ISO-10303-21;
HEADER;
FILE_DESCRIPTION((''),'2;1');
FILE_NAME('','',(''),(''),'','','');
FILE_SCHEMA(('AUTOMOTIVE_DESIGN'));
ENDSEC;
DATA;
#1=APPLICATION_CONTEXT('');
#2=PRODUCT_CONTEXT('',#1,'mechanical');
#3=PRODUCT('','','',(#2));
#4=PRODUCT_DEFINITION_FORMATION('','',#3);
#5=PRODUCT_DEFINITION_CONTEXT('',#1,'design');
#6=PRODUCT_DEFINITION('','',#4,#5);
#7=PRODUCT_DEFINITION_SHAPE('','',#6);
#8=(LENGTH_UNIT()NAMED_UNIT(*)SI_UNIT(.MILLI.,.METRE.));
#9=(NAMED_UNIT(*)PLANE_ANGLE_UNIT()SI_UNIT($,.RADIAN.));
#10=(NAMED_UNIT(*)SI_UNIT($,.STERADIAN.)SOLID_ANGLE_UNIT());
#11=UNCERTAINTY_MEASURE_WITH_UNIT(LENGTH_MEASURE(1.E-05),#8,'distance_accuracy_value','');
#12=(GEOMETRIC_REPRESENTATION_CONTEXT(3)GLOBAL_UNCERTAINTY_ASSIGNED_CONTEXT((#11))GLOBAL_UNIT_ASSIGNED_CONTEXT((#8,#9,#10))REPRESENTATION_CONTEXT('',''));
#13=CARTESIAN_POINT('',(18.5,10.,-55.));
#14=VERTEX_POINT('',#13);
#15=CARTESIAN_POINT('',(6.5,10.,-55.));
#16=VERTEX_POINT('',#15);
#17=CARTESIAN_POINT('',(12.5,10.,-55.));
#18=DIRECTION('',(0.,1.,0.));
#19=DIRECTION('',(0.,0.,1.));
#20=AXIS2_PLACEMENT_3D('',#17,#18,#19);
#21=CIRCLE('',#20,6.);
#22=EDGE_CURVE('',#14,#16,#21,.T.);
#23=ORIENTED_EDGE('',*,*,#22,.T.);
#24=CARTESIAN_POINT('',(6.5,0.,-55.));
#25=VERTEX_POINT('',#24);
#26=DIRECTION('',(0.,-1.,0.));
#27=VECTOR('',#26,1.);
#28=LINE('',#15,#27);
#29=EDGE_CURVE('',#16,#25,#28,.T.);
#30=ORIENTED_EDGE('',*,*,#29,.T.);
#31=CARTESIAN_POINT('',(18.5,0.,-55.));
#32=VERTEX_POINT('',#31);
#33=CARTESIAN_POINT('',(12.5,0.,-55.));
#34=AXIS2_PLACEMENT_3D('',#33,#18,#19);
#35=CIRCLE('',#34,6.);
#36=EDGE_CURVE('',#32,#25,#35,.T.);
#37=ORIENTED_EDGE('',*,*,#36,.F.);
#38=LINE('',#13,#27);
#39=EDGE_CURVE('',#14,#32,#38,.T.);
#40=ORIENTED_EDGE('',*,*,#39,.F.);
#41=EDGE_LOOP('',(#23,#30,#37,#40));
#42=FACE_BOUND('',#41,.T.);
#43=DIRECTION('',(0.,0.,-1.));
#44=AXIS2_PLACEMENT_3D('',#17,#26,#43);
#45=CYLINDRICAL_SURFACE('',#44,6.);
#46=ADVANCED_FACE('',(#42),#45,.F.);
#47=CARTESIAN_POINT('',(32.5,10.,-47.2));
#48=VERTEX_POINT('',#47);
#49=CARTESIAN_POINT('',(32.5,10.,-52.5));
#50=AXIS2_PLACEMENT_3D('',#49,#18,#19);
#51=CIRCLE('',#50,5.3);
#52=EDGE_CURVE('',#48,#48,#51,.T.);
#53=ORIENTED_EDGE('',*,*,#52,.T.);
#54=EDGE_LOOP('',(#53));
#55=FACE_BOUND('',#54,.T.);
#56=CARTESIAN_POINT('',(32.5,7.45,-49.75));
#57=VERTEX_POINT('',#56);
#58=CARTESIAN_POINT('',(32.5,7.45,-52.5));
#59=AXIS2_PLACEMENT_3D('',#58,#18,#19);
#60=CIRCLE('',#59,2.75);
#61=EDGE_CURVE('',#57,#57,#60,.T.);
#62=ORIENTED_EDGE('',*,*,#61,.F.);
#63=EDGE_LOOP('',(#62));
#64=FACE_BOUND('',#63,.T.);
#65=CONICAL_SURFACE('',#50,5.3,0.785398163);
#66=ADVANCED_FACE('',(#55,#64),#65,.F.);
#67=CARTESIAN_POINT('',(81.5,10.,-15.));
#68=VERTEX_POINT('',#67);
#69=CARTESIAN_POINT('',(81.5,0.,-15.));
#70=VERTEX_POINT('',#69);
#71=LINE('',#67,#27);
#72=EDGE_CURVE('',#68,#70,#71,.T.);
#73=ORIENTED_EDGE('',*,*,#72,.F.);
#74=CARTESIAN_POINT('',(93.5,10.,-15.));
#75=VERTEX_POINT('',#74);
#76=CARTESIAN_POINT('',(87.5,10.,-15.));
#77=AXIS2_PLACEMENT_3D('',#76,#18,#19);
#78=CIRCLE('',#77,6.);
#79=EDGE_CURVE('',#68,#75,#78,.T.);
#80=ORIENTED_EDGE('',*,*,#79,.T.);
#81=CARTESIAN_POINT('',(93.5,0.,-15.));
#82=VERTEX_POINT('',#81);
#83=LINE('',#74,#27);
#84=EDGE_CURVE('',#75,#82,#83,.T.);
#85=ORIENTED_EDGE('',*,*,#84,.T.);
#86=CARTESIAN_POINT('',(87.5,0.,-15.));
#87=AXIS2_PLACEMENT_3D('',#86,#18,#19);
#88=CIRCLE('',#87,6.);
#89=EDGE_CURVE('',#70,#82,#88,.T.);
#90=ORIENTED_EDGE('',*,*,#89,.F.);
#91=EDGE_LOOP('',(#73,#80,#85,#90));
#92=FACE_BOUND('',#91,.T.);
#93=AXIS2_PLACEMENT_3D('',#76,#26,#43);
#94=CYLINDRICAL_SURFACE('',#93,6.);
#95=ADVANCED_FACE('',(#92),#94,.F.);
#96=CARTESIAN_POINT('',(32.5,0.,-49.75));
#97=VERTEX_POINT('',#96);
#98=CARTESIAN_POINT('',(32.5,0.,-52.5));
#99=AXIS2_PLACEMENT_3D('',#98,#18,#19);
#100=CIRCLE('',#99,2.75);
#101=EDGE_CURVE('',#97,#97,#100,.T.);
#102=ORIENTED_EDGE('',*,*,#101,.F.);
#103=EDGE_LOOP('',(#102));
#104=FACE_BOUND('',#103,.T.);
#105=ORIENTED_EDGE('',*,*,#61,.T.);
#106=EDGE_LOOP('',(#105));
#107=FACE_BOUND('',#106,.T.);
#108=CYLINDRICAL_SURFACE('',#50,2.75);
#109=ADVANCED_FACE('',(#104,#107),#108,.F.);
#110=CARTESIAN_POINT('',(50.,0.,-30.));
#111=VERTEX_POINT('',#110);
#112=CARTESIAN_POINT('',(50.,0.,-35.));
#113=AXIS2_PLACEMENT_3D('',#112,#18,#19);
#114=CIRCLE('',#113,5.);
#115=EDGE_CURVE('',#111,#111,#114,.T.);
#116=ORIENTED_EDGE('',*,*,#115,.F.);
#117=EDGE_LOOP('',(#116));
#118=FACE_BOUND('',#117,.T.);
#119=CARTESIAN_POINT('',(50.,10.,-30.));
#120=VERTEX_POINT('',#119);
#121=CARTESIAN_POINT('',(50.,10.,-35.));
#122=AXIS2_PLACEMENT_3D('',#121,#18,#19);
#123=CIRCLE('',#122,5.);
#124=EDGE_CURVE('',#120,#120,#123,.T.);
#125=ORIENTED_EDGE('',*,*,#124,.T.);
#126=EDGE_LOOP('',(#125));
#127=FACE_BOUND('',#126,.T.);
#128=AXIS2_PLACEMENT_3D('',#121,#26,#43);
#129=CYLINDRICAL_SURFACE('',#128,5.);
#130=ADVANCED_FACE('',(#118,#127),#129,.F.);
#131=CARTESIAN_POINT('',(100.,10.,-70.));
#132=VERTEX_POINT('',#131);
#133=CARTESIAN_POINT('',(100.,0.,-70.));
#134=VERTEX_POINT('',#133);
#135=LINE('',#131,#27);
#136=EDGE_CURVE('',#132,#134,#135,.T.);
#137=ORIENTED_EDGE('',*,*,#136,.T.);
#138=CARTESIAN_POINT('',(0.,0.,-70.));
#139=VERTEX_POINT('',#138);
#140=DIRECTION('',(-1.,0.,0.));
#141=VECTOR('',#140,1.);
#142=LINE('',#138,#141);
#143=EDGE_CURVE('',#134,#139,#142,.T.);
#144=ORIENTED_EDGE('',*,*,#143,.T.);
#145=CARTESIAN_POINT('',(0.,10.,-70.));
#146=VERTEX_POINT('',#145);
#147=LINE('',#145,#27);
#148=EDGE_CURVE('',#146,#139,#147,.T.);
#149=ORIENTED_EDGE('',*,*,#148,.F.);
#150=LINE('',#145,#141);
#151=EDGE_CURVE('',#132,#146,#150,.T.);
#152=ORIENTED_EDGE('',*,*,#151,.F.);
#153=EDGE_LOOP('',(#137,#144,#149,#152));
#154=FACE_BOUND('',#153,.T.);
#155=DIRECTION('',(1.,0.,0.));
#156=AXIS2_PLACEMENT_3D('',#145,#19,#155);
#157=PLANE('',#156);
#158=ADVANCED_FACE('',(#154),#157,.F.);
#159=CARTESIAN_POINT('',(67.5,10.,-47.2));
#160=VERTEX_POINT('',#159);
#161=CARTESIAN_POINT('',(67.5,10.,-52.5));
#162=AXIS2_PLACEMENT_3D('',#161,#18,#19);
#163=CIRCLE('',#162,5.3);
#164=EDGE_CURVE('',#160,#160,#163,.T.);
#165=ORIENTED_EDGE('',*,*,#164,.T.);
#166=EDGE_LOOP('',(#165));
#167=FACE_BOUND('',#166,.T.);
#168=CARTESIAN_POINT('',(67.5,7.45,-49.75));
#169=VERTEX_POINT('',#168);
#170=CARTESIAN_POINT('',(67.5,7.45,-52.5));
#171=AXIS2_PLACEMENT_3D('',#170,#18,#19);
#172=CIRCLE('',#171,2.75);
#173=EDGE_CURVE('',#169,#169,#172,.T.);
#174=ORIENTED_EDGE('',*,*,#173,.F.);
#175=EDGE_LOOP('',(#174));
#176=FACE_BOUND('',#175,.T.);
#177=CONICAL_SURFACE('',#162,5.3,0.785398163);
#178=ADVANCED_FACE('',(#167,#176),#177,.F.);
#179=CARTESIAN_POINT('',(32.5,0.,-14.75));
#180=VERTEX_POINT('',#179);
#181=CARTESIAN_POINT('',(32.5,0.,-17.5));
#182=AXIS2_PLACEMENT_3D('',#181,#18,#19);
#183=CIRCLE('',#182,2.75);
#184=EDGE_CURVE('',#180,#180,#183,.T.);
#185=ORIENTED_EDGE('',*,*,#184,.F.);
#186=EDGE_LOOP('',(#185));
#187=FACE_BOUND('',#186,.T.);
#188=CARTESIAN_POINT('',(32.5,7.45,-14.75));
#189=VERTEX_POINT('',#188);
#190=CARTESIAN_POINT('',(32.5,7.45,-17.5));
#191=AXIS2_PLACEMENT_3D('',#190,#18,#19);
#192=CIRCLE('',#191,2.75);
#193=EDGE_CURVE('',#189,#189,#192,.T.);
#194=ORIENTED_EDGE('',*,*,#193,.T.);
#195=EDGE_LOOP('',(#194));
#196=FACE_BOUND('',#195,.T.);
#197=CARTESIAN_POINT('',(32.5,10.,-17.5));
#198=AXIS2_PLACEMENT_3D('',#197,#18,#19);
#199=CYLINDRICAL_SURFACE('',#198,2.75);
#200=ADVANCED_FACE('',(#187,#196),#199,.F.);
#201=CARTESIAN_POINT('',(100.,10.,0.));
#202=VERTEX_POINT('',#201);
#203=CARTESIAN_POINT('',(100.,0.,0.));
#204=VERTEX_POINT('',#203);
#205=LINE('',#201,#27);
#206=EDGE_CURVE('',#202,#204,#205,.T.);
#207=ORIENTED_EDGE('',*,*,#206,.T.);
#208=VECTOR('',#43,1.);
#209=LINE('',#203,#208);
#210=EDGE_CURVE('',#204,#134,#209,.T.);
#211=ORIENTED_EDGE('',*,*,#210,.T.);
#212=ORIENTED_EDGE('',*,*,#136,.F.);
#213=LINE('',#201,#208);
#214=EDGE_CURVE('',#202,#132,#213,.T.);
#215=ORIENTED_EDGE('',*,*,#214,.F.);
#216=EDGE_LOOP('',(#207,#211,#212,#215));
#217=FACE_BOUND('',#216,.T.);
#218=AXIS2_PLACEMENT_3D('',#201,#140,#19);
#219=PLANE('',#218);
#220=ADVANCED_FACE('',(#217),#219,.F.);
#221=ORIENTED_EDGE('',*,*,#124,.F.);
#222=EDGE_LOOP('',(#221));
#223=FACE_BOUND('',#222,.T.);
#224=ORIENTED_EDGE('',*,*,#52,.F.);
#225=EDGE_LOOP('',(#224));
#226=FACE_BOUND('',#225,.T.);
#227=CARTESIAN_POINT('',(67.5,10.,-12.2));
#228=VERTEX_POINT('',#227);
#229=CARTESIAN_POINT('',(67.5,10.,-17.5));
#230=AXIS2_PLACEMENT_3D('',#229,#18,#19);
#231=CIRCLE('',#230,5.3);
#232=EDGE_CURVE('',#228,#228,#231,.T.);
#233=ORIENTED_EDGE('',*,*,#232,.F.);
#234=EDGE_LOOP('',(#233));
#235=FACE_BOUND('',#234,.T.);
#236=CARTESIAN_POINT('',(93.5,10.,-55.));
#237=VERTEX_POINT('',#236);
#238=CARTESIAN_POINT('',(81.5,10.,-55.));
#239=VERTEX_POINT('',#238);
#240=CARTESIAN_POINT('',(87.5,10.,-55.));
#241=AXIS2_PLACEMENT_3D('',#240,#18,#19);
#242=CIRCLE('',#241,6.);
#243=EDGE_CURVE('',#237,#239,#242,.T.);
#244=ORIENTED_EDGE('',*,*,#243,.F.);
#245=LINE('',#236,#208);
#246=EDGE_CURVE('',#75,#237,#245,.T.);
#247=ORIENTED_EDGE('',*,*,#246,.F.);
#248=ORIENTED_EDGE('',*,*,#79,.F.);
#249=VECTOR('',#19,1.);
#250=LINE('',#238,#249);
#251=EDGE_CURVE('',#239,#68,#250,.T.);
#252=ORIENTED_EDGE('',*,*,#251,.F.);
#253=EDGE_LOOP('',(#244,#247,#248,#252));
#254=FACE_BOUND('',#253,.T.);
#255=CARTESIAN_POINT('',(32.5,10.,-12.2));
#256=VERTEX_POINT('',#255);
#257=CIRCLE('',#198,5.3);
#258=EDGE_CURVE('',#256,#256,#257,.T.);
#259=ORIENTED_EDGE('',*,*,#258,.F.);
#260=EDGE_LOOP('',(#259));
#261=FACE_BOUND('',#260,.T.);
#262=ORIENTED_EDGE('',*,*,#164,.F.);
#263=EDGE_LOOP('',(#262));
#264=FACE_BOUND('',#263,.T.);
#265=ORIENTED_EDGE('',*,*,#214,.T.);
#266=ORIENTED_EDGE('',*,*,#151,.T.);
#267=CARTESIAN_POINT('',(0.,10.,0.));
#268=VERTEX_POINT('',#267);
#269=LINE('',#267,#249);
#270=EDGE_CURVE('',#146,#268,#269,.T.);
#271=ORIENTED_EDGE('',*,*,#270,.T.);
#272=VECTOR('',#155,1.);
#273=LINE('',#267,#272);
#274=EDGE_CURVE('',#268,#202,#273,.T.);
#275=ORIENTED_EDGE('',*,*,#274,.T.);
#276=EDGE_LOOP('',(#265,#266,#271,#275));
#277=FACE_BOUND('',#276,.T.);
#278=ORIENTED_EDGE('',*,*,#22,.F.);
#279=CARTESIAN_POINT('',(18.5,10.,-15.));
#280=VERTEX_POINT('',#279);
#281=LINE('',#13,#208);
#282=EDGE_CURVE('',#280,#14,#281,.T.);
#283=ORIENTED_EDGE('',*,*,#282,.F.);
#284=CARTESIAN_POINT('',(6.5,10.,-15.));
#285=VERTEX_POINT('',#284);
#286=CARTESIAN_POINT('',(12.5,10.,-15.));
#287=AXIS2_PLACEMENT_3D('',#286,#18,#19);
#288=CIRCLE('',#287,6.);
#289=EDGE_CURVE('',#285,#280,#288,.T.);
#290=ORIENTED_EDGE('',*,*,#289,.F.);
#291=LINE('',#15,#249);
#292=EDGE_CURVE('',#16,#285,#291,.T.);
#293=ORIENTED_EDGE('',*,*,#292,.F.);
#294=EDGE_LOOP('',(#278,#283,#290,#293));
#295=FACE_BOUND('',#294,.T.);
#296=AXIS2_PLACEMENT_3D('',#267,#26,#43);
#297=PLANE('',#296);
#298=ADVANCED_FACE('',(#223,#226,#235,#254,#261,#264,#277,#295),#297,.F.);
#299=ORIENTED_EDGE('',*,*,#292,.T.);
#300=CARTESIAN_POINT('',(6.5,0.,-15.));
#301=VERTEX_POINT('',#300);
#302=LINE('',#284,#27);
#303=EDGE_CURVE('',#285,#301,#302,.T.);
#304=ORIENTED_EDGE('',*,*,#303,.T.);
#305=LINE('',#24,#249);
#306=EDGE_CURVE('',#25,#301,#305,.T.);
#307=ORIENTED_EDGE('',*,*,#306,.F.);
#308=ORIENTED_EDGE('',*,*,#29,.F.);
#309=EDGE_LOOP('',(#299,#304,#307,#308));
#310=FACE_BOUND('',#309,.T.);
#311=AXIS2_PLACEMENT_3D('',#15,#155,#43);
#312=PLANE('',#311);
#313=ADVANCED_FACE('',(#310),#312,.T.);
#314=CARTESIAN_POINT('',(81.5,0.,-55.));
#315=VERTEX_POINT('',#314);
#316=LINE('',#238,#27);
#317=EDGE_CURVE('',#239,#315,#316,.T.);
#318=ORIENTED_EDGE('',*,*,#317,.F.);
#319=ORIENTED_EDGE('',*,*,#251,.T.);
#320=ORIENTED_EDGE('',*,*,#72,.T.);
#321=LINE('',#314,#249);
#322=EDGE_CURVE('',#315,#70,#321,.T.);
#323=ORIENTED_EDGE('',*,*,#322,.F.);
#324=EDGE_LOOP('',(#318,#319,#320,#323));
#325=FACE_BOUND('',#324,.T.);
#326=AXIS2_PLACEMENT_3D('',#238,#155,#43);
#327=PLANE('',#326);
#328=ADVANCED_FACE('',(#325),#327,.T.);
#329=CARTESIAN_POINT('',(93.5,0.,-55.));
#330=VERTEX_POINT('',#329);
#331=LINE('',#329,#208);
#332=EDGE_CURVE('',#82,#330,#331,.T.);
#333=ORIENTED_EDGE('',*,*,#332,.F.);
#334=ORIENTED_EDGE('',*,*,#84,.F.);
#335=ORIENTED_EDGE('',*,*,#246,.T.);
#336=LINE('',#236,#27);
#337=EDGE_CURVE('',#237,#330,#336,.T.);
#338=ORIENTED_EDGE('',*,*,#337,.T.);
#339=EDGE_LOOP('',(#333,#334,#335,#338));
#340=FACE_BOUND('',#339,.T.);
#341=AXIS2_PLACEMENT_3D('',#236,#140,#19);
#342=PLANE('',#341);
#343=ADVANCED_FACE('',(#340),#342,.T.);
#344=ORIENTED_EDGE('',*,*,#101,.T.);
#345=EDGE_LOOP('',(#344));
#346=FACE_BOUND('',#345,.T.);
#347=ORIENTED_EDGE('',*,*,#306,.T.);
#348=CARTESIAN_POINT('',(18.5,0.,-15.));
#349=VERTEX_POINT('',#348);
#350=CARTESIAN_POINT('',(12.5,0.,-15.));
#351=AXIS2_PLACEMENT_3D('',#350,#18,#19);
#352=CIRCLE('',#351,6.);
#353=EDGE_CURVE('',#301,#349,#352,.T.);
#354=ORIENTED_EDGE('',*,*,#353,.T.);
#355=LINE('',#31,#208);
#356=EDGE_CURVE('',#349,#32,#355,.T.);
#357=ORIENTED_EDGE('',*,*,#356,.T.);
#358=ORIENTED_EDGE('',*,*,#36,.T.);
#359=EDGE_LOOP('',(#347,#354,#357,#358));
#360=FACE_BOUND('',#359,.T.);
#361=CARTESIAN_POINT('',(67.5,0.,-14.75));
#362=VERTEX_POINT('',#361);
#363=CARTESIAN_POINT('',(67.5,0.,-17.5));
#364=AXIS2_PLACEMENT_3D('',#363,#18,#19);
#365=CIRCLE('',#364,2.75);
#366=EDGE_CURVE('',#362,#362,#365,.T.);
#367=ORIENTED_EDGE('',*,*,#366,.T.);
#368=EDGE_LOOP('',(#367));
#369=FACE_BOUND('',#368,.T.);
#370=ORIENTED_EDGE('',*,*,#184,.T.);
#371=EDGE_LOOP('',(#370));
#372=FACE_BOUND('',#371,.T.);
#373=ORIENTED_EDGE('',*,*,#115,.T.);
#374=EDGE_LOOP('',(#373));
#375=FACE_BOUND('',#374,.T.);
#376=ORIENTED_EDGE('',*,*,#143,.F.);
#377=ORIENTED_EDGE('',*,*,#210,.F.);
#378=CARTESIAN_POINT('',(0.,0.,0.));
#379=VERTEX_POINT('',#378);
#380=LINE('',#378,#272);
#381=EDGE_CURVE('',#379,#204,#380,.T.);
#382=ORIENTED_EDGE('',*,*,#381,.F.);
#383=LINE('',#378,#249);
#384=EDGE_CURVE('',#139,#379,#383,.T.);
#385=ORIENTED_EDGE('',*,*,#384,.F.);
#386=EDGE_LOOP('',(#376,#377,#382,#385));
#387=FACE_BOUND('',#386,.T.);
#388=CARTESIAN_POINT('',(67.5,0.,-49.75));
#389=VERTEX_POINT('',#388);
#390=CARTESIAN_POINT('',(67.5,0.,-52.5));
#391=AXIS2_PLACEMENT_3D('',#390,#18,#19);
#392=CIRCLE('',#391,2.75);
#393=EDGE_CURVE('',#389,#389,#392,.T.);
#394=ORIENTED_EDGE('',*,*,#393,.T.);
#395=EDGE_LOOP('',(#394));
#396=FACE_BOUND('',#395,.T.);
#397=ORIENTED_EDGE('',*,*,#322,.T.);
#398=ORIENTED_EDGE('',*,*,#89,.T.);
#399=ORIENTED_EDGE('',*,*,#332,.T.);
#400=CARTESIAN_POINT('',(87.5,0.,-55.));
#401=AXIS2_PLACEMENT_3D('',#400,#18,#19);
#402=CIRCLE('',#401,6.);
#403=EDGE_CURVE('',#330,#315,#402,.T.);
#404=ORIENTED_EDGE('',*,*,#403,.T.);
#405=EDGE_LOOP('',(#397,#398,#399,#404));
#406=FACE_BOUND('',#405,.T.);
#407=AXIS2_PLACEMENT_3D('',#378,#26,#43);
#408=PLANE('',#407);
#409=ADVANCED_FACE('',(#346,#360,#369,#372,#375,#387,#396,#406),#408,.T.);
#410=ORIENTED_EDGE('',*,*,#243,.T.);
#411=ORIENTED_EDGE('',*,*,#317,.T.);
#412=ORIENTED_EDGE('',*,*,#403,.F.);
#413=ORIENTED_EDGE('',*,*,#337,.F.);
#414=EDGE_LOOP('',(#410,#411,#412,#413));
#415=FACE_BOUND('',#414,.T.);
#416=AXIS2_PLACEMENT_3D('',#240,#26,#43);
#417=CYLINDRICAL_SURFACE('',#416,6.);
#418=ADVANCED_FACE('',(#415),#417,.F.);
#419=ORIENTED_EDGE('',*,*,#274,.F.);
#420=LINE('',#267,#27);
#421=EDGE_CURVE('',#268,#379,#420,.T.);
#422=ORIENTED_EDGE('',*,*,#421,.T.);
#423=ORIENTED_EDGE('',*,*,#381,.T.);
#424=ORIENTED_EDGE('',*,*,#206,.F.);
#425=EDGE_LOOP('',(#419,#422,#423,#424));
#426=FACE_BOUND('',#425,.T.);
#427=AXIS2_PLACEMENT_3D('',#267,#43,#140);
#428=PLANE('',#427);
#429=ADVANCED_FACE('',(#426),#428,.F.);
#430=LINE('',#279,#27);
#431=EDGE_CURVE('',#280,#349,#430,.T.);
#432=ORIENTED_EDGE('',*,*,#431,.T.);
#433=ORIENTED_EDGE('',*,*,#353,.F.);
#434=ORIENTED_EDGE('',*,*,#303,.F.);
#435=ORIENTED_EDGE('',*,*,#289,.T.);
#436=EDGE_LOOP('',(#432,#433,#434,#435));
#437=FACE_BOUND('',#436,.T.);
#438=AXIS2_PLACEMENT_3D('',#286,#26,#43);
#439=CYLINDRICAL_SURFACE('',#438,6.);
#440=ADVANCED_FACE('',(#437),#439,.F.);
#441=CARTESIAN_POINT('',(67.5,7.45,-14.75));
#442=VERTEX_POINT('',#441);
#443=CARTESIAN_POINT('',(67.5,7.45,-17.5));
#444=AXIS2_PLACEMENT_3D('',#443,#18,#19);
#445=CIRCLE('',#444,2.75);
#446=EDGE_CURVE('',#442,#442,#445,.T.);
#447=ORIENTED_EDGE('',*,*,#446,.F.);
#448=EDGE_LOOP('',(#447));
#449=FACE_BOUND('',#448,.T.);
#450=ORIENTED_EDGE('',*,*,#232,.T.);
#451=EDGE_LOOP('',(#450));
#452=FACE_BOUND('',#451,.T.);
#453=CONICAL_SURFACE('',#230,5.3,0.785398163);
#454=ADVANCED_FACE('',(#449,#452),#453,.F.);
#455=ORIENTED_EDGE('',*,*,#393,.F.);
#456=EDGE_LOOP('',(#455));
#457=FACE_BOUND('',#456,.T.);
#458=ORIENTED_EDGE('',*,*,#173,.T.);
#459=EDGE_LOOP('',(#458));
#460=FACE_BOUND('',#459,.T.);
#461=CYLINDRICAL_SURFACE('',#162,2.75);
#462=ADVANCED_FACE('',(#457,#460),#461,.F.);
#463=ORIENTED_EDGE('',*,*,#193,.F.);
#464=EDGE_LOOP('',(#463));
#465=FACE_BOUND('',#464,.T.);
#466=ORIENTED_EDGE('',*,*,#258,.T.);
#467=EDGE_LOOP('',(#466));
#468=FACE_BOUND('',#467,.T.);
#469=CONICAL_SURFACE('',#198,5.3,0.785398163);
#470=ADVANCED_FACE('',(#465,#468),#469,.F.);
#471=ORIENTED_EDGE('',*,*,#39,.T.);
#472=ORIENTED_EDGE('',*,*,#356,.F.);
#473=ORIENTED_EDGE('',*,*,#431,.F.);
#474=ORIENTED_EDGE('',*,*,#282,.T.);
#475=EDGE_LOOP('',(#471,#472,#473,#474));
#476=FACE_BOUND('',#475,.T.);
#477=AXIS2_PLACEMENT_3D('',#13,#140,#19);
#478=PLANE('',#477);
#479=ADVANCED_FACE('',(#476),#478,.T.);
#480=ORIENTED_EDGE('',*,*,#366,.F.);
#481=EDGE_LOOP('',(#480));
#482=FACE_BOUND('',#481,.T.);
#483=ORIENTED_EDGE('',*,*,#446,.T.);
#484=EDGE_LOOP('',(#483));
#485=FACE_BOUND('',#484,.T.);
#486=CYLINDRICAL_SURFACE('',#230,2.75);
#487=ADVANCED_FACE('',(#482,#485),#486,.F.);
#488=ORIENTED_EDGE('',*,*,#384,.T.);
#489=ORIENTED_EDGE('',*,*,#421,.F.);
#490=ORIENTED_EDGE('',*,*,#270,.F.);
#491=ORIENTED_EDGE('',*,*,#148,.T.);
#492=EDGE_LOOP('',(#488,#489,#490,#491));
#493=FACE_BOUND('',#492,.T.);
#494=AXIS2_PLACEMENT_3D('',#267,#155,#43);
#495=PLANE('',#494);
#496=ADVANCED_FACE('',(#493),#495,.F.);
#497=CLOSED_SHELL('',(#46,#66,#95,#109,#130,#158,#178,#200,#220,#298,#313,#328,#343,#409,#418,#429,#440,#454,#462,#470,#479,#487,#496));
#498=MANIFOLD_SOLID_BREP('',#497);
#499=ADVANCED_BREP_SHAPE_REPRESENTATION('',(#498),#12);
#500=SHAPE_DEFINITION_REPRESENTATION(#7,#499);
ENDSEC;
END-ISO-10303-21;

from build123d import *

# Parameters (mm, degrees)
SKETCH1_W                                           = 100
SKETCH1_H                                           = 70
SKETCH1_R                                           = 5
BOSS_EXTRUDE1_DEPTH                                 = 10
CSK_FOR_M5_COUNTERSUNK_FLAT_HEAD_SCREW1_D           = 5.5
CSK_FOR_M5_COUNTERSUNK_FLAT_HEAD_SCREW1_CSINK_D     = 10.6
CSK_FOR_M5_COUNTERSUNK_FLAT_HEAD_SCREW1_CSINK_ANGLE = 90


with BuildPart() as part:
    # Sketch1 → Boss-Extrude1 (new body)
    with BuildSketch(Plane(origin=(0, 0, 0), x_dir=(1, 0, 0), z_dir=(0, 1, 0))):
        with Locations((50, 35)):
            Rectangle(SKETCH1_W, SKETCH1_H)
        with Locations(Location((50, 35, 0), (0, 0, 270))):
            Circle(SKETCH1_R, mode=Mode.SUBTRACT)
        with BuildLine():
            Line((18.5, 55), (18.5, 15))
            ThreePointArc((18.5, 15), (12.5, 9), (6.5, 15))
            Line((6.5, 15), (6.5, 55))
            ThreePointArc((6.5, 55), (12.5, 61), (18.5, 55))
        make_face(mode=Mode.SUBTRACT)
        with BuildLine():
            Line((93.5, 55), (93.5, 15))
            ThreePointArc((93.5, 15), (87.5, 9), (81.5, 15))
            Line((81.5, 15), (81.5, 55))
            ThreePointArc((81.5, 55), (87.5, 61), (93.5, 55))
        make_face(mode=Mode.SUBTRACT)
    extrude(amount=BOSS_EXTRUDE1_DEPTH)

    # CSK for M5 Countersunk Flat Head Screw1 (through all)
    with Locations(Plane(origin=(0, 10, 0), x_dir=(1, 0, 0), z_dir=(0, 1, 0))):
        with Locations((32.5, 52.5), (67.5, 52.5), (67.5, 17.5), (32.5, 17.5)):
            CounterSinkHole(CSK_FOR_M5_COUNTERSUNK_FLAT_HEAD_SCREW1_D / 2, CSK_FOR_M5_COUNTERSUNK_FLAT_HEAD_SCREW1_CSINK_D / 2, counter_sink_angle=CSK_FOR_M5_COUNTERSUNK_FLAT_HEAD_SCREW1_CSINK_ANGLE)


solid = part.part
